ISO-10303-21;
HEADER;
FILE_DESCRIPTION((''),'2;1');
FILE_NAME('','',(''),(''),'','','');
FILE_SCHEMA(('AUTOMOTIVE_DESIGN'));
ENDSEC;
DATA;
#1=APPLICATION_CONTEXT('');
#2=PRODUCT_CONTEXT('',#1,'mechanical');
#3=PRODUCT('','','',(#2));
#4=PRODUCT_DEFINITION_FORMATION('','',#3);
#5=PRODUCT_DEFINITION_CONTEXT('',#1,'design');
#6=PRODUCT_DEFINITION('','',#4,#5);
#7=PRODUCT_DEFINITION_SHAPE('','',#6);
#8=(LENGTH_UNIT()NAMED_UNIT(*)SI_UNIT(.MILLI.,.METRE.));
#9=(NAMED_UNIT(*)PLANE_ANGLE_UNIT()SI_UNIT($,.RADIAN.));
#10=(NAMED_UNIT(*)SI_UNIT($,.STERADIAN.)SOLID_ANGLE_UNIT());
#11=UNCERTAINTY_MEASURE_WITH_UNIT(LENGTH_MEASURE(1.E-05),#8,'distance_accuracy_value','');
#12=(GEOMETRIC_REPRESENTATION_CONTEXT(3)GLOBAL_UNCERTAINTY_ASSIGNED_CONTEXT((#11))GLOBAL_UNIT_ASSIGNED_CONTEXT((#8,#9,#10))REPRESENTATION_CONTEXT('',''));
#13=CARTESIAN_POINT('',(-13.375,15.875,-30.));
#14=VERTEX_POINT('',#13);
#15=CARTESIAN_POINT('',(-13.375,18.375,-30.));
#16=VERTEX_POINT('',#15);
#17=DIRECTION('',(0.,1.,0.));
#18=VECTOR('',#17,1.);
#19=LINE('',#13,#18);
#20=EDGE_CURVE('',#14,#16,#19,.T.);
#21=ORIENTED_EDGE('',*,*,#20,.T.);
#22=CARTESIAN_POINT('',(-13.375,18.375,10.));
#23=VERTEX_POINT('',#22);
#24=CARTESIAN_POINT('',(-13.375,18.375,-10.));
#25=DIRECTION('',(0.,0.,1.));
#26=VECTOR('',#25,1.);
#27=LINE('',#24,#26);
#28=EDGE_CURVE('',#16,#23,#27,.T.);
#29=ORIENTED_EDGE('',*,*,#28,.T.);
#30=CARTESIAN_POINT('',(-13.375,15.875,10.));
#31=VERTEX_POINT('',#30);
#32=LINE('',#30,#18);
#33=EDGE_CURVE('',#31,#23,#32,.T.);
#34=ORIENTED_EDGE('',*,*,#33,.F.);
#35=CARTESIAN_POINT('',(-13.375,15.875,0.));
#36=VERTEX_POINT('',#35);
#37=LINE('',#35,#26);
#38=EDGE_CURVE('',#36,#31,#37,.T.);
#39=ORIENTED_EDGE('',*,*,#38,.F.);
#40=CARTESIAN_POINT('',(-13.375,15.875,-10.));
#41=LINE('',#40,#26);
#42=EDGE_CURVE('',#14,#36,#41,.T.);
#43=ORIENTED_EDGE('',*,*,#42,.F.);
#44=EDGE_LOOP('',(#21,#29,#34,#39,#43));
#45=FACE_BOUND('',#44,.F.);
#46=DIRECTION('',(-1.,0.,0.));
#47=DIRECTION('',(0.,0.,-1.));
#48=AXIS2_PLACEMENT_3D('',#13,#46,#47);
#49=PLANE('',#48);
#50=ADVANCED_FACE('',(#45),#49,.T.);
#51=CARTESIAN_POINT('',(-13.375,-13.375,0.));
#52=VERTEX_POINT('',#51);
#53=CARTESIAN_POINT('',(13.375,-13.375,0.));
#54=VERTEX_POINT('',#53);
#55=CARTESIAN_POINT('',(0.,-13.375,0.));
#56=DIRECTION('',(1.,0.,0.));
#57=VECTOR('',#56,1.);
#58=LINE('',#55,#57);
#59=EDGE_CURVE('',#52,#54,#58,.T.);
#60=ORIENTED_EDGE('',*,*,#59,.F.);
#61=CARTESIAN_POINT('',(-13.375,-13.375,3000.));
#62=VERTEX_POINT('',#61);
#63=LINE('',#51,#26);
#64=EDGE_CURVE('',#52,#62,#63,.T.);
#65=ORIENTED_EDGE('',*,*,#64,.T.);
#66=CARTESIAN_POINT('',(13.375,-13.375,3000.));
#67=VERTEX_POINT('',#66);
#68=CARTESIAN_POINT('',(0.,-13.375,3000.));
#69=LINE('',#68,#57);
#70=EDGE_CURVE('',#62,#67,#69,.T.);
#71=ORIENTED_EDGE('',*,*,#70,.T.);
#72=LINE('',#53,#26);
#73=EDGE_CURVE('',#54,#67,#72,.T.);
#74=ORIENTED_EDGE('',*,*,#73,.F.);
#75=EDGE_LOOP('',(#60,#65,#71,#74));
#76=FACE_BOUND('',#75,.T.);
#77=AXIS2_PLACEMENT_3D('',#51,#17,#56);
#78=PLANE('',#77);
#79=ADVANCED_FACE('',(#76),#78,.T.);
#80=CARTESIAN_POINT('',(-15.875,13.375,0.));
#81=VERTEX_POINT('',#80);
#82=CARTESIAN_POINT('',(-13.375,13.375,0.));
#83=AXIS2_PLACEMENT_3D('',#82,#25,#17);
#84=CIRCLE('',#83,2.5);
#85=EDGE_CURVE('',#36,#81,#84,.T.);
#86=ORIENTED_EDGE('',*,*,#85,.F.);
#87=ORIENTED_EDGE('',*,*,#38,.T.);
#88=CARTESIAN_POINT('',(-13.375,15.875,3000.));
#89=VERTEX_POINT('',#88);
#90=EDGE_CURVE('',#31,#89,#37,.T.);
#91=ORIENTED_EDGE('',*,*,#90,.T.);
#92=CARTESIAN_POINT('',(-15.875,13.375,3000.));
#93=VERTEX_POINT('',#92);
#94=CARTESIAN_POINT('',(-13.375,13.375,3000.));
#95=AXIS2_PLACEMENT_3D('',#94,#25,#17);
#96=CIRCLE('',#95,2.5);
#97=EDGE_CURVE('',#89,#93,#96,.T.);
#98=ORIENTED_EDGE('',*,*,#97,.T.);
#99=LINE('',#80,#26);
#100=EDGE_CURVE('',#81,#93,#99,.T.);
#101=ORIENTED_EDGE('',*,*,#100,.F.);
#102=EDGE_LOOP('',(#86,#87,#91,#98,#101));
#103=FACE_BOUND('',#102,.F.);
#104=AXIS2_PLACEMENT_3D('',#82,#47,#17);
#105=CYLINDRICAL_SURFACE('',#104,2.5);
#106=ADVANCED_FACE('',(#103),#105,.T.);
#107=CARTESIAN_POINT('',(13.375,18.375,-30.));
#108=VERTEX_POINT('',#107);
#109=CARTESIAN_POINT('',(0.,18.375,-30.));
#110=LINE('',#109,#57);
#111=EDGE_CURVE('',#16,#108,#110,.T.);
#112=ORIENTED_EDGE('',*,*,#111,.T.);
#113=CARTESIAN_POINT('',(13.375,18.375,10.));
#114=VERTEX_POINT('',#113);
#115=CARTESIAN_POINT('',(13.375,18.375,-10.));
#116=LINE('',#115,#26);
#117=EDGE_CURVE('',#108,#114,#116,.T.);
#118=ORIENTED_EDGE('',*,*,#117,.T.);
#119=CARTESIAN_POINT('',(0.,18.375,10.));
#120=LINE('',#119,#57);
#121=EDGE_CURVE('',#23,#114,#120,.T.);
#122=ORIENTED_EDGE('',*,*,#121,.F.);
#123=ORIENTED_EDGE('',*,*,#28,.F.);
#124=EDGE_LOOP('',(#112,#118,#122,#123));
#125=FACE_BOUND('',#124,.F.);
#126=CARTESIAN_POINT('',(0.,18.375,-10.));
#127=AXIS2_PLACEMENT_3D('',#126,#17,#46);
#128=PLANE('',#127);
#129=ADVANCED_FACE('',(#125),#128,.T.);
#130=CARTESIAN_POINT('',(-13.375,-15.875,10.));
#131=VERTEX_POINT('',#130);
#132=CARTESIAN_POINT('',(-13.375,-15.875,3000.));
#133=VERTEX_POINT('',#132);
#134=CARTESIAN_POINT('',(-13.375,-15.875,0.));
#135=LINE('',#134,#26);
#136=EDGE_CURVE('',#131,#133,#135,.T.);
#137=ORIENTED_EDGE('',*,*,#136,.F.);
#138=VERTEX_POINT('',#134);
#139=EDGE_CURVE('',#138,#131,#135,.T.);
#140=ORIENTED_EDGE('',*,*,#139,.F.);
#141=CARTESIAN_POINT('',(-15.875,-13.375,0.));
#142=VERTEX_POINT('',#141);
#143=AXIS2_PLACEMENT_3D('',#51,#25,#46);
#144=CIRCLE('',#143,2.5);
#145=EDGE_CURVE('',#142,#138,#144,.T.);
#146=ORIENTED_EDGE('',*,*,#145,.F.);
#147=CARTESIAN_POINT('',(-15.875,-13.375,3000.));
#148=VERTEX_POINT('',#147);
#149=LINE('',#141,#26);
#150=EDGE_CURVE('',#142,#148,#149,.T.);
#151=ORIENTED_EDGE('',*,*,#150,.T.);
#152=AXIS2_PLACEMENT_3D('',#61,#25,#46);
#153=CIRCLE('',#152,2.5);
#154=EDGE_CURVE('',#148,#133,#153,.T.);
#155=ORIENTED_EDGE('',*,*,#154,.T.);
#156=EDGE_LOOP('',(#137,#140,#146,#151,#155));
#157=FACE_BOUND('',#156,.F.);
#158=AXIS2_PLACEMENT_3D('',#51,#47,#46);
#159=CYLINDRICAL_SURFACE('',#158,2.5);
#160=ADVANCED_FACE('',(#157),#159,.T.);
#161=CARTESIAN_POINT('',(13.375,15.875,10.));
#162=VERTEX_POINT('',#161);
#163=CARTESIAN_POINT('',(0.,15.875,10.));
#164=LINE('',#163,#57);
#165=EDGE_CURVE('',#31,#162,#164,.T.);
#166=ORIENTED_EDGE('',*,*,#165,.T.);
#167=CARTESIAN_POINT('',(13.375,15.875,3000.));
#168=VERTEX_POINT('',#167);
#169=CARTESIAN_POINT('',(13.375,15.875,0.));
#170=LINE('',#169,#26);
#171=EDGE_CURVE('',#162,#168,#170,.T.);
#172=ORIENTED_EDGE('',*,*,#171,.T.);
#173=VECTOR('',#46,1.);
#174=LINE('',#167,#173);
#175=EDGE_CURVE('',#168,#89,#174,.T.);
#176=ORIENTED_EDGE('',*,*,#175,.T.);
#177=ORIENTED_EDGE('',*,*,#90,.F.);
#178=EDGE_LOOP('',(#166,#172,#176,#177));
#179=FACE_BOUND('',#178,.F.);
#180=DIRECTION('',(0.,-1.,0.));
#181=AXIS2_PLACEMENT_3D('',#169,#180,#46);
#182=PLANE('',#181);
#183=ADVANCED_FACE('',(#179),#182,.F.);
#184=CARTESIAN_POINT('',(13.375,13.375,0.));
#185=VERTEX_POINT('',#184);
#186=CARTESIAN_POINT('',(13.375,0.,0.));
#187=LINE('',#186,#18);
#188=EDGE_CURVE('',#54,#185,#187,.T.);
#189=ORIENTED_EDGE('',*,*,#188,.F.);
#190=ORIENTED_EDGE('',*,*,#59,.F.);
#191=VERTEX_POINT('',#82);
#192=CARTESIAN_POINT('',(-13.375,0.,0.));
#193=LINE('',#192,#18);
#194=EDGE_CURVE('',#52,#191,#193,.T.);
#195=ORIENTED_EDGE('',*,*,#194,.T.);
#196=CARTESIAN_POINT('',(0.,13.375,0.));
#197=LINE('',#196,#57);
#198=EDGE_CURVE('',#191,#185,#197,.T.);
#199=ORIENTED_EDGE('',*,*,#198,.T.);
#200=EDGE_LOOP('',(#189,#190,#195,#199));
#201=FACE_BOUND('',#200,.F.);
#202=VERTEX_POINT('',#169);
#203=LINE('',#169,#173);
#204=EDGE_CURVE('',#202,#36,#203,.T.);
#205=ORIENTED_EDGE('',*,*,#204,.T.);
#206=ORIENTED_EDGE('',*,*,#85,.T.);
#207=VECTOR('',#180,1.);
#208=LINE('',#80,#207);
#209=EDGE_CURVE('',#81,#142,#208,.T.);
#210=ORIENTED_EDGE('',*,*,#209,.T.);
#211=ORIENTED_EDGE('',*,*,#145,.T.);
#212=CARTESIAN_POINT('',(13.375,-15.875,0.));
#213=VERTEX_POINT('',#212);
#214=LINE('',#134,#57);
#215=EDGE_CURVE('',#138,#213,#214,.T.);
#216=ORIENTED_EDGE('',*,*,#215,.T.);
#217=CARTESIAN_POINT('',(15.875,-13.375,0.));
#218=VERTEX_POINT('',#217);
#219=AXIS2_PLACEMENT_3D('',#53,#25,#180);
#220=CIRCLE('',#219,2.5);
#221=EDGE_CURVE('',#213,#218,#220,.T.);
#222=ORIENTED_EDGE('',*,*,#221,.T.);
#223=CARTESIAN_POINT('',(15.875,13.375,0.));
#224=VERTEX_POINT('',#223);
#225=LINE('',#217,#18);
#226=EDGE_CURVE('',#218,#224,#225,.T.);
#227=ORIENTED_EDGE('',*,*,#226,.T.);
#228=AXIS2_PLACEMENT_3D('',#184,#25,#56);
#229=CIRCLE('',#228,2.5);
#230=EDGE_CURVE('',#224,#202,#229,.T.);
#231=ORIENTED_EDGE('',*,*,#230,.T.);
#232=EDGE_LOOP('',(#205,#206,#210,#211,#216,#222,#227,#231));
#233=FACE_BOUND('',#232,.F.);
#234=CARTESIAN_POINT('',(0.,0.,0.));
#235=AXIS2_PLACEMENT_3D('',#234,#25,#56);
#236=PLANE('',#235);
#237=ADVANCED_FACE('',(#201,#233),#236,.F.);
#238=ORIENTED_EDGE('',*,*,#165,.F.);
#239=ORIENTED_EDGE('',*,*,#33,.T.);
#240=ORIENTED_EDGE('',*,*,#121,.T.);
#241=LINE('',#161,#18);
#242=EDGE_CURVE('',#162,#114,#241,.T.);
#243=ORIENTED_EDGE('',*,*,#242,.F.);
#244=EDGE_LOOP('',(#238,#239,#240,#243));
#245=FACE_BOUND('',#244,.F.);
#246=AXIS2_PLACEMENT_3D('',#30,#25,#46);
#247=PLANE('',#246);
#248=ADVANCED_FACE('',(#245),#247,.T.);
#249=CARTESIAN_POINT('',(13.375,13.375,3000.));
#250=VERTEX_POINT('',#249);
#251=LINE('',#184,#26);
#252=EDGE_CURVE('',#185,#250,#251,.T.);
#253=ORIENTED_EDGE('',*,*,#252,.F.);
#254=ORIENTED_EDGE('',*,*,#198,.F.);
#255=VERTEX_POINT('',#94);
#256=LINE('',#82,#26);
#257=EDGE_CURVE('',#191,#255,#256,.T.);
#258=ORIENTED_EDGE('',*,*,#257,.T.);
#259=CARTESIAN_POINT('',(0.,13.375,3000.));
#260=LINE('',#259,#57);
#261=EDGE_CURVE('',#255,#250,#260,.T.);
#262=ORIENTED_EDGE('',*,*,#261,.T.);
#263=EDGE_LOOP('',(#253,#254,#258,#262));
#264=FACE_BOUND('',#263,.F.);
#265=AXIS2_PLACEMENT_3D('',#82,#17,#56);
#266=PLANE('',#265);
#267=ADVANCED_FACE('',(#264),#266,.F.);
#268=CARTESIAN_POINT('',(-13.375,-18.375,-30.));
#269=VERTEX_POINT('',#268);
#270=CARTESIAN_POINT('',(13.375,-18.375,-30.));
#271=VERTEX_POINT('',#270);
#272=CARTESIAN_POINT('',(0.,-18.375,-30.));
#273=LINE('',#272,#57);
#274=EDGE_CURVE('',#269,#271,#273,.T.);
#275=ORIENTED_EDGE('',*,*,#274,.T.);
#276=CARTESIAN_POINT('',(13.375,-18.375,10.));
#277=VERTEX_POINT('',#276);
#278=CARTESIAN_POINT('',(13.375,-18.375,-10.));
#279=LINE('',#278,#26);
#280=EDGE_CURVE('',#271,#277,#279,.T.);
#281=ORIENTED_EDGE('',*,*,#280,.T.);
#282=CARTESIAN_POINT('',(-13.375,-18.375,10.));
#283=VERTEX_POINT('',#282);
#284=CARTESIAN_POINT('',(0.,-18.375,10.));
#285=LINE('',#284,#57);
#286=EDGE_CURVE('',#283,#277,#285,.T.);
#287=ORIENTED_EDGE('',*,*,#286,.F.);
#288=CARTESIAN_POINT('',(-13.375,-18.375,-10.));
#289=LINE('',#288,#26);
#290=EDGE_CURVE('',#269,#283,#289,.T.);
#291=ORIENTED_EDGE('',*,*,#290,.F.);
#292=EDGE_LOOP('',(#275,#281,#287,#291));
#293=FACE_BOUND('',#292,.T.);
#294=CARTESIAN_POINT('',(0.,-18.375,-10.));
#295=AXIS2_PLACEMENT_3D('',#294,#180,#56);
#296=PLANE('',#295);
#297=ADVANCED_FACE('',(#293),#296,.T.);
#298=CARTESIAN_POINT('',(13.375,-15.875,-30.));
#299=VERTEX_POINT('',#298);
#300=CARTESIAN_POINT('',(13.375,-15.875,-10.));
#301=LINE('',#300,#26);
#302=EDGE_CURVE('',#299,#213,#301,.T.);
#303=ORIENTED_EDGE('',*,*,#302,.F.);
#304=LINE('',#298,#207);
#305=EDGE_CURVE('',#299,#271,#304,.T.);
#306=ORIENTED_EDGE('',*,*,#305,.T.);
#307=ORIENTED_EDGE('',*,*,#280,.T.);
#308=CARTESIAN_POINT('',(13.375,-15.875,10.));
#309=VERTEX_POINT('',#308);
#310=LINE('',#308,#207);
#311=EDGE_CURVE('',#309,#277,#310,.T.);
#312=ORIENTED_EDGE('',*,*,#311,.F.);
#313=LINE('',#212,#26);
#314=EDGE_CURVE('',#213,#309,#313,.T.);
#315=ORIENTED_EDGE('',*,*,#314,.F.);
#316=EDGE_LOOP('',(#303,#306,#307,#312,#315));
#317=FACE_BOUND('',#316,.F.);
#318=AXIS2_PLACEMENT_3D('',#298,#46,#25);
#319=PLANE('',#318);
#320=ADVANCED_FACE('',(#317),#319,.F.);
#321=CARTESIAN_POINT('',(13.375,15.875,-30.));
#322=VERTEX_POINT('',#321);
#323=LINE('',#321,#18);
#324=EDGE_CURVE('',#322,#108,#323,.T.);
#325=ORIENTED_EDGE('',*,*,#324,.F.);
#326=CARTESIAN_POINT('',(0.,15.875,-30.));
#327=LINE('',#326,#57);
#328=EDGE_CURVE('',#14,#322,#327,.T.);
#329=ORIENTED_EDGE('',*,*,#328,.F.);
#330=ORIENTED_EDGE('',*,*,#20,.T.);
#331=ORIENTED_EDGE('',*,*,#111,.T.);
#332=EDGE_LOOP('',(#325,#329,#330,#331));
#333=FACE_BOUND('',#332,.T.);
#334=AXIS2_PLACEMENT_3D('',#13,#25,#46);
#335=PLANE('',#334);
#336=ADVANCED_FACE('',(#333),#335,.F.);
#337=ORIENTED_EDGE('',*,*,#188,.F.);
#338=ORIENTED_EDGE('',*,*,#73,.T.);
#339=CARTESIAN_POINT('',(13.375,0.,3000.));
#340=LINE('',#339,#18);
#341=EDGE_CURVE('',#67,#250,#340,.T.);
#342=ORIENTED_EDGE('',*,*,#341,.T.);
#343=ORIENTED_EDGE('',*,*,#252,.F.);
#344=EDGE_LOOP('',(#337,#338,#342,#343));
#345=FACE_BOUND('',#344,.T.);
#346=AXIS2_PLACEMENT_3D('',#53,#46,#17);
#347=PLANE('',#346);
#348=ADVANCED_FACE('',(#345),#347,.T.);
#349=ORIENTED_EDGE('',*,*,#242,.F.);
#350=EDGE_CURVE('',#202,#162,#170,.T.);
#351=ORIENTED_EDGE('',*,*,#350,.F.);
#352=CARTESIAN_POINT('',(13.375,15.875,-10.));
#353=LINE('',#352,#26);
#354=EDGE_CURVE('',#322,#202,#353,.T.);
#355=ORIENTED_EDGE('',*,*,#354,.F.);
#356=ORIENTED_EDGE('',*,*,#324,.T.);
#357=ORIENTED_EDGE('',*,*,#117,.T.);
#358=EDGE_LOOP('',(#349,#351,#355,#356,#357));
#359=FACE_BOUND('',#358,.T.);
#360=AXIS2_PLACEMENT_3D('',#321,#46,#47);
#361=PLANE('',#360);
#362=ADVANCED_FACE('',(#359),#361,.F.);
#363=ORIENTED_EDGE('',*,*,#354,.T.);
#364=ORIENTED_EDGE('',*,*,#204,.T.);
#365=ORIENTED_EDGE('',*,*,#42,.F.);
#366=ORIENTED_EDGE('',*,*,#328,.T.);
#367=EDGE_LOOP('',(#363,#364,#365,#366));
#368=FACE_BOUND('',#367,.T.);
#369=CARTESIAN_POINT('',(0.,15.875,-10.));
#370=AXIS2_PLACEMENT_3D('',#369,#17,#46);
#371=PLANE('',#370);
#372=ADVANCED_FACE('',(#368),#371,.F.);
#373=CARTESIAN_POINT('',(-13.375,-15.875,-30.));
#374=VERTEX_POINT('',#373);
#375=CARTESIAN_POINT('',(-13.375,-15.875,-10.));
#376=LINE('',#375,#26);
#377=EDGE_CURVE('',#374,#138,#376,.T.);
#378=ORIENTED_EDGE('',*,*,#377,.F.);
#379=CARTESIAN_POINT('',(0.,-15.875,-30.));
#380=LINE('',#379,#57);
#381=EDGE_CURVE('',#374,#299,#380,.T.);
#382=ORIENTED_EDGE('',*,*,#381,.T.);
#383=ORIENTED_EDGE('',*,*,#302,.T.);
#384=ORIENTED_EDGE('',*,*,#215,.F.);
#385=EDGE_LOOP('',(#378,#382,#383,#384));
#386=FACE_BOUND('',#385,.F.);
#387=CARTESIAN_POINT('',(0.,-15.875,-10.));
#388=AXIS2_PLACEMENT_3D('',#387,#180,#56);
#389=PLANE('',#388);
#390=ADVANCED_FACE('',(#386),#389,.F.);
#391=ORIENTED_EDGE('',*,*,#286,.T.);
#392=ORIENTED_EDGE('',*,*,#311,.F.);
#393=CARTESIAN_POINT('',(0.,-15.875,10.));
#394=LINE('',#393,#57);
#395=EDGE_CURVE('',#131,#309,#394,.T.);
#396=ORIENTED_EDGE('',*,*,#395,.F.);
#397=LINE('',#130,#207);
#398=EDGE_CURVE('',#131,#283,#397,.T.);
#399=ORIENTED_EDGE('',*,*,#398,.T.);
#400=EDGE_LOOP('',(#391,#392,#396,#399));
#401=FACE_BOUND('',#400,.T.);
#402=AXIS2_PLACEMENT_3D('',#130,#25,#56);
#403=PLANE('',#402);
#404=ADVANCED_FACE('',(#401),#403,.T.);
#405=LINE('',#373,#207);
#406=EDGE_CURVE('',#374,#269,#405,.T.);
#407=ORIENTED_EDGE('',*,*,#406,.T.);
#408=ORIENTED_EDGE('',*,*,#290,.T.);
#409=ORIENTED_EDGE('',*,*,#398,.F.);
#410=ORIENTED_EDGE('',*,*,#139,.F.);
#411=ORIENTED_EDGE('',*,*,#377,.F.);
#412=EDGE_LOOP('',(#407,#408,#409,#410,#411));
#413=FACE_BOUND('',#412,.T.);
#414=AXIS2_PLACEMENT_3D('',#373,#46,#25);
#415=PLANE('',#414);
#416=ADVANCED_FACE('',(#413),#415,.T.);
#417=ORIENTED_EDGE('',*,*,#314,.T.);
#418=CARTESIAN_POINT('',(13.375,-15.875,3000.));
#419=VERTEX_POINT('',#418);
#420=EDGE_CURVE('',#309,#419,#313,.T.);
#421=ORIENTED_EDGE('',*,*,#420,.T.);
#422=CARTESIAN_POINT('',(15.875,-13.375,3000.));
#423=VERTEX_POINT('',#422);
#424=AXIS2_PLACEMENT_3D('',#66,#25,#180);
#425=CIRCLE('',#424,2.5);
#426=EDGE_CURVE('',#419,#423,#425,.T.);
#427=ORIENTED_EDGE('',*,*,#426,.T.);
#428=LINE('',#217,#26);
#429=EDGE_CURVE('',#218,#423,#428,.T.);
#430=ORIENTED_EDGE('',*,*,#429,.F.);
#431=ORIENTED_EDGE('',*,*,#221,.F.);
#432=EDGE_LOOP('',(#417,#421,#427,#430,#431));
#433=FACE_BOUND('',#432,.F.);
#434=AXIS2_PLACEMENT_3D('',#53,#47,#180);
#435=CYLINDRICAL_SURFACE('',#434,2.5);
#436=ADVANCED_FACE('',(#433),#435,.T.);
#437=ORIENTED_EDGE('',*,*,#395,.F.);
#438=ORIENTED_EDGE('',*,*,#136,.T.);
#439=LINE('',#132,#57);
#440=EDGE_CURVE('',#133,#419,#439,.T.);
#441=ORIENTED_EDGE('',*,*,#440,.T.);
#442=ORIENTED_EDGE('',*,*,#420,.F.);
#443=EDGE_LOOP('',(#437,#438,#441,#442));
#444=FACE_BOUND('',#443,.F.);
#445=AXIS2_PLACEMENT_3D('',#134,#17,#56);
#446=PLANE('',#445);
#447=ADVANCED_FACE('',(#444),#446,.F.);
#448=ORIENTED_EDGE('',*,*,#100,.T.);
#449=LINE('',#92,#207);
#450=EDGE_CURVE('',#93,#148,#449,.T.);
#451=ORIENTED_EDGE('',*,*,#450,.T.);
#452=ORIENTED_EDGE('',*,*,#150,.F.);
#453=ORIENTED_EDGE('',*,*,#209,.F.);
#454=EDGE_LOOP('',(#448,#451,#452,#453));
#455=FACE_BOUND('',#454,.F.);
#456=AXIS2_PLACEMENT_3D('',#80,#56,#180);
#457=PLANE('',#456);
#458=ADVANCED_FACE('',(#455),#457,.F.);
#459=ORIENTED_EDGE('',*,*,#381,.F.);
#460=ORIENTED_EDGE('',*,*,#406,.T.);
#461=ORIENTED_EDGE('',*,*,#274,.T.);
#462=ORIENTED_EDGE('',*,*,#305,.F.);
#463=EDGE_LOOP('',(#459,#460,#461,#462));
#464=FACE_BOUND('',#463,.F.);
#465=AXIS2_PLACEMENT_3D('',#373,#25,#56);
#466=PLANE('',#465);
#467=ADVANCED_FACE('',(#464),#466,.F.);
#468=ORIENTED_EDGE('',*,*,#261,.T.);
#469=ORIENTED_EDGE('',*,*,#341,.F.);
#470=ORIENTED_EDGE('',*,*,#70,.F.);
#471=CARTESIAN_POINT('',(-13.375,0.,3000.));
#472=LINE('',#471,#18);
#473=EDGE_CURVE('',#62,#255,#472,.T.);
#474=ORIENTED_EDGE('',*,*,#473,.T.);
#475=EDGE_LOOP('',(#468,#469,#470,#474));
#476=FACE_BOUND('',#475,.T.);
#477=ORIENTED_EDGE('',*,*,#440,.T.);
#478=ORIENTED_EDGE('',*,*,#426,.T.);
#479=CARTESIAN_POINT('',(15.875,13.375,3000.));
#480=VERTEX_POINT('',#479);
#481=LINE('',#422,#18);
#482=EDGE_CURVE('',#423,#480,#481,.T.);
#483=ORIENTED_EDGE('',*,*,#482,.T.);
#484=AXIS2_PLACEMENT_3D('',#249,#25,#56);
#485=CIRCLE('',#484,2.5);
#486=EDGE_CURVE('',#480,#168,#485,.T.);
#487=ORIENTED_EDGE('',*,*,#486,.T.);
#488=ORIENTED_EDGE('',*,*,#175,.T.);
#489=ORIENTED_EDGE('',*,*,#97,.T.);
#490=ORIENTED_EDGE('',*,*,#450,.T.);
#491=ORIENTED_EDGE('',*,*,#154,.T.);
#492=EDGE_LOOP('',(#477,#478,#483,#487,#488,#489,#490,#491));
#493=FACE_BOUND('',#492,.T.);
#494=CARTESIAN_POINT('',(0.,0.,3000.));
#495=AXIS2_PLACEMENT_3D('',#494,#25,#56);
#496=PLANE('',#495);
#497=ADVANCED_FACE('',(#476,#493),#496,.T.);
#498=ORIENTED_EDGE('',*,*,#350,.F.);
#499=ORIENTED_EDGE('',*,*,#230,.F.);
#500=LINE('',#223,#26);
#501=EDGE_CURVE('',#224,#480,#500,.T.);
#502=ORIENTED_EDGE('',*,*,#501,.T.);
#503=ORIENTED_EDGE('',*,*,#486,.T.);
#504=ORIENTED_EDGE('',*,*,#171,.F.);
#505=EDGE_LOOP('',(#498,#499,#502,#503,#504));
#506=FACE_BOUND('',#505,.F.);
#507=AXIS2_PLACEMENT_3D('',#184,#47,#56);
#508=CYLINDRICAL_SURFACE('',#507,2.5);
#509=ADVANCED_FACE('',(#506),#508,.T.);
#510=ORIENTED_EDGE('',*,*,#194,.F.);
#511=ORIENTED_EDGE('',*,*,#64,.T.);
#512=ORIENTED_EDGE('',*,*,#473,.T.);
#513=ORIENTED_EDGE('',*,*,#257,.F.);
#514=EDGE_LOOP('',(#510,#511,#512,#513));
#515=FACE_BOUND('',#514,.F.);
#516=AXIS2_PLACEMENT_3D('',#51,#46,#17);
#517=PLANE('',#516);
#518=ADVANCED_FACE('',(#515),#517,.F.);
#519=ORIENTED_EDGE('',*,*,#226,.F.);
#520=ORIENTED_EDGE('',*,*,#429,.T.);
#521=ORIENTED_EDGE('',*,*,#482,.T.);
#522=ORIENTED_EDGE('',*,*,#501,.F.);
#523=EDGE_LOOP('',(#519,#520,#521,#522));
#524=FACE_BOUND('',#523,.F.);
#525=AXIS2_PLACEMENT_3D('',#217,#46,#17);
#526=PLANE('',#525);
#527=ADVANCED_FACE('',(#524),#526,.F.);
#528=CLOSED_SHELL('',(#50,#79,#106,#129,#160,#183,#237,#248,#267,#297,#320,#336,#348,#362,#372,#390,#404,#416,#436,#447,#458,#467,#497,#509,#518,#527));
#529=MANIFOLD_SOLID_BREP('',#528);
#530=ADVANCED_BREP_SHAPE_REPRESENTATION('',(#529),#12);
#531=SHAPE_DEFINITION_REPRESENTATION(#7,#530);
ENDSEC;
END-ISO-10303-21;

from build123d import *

# Parameters (mm, degrees)
F0_W     = 26.75
F0_H     = 26.75
F1_DEPTH = 3000
F2_W     = 26.75
F2_H     = 40
F3_DEPTH = 2.5


with BuildPart() as f1:
    # F0 (on Top) → F1 (new body)
    with BuildSketch(Plane.XY):
        with BuildLine():
            ThreePointArc((15.875, 13.375), (15.142766953, 15.142766953), (13.375, 15.875))
            Line((13.375, 15.875), (-13.375, 15.875))
            ThreePointArc((-13.375, 15.875), (-15.142766953, 15.142766953), (-15.875, 13.375))
            Line((-15.875, 13.375), (-15.875, -13.375))
            ThreePointArc((-15.875, -13.375), (-15.142766953, -15.142766953), (-13.375, -15.875))
            Line((-13.375, -15.875), (13.375, -15.875))
            ThreePointArc((13.375, -15.875), (15.142766953, -15.142766953), (15.875, -13.375))
            Line((15.875, -13.375), (15.875, 13.375))
        make_face()
        Rectangle(F0_W, F0_H, mode=Mode.SUBTRACT)
    extrude(amount=F1_DEPTH)

    # F2 (on face) → F3 (join)
    with BuildSketch(Plane.XZ.offset(15.875)):
        with Locations((0, -10)):
            Rectangle(F2_W, F2_H)
    extrude(amount=F3_DEPTH)

    # F4: F1 across plane


with BuildPart() as f1_1:
    add(f1.part)
    add(f1.part.mirror(Plane.XZ))


solid = f1_1.part
